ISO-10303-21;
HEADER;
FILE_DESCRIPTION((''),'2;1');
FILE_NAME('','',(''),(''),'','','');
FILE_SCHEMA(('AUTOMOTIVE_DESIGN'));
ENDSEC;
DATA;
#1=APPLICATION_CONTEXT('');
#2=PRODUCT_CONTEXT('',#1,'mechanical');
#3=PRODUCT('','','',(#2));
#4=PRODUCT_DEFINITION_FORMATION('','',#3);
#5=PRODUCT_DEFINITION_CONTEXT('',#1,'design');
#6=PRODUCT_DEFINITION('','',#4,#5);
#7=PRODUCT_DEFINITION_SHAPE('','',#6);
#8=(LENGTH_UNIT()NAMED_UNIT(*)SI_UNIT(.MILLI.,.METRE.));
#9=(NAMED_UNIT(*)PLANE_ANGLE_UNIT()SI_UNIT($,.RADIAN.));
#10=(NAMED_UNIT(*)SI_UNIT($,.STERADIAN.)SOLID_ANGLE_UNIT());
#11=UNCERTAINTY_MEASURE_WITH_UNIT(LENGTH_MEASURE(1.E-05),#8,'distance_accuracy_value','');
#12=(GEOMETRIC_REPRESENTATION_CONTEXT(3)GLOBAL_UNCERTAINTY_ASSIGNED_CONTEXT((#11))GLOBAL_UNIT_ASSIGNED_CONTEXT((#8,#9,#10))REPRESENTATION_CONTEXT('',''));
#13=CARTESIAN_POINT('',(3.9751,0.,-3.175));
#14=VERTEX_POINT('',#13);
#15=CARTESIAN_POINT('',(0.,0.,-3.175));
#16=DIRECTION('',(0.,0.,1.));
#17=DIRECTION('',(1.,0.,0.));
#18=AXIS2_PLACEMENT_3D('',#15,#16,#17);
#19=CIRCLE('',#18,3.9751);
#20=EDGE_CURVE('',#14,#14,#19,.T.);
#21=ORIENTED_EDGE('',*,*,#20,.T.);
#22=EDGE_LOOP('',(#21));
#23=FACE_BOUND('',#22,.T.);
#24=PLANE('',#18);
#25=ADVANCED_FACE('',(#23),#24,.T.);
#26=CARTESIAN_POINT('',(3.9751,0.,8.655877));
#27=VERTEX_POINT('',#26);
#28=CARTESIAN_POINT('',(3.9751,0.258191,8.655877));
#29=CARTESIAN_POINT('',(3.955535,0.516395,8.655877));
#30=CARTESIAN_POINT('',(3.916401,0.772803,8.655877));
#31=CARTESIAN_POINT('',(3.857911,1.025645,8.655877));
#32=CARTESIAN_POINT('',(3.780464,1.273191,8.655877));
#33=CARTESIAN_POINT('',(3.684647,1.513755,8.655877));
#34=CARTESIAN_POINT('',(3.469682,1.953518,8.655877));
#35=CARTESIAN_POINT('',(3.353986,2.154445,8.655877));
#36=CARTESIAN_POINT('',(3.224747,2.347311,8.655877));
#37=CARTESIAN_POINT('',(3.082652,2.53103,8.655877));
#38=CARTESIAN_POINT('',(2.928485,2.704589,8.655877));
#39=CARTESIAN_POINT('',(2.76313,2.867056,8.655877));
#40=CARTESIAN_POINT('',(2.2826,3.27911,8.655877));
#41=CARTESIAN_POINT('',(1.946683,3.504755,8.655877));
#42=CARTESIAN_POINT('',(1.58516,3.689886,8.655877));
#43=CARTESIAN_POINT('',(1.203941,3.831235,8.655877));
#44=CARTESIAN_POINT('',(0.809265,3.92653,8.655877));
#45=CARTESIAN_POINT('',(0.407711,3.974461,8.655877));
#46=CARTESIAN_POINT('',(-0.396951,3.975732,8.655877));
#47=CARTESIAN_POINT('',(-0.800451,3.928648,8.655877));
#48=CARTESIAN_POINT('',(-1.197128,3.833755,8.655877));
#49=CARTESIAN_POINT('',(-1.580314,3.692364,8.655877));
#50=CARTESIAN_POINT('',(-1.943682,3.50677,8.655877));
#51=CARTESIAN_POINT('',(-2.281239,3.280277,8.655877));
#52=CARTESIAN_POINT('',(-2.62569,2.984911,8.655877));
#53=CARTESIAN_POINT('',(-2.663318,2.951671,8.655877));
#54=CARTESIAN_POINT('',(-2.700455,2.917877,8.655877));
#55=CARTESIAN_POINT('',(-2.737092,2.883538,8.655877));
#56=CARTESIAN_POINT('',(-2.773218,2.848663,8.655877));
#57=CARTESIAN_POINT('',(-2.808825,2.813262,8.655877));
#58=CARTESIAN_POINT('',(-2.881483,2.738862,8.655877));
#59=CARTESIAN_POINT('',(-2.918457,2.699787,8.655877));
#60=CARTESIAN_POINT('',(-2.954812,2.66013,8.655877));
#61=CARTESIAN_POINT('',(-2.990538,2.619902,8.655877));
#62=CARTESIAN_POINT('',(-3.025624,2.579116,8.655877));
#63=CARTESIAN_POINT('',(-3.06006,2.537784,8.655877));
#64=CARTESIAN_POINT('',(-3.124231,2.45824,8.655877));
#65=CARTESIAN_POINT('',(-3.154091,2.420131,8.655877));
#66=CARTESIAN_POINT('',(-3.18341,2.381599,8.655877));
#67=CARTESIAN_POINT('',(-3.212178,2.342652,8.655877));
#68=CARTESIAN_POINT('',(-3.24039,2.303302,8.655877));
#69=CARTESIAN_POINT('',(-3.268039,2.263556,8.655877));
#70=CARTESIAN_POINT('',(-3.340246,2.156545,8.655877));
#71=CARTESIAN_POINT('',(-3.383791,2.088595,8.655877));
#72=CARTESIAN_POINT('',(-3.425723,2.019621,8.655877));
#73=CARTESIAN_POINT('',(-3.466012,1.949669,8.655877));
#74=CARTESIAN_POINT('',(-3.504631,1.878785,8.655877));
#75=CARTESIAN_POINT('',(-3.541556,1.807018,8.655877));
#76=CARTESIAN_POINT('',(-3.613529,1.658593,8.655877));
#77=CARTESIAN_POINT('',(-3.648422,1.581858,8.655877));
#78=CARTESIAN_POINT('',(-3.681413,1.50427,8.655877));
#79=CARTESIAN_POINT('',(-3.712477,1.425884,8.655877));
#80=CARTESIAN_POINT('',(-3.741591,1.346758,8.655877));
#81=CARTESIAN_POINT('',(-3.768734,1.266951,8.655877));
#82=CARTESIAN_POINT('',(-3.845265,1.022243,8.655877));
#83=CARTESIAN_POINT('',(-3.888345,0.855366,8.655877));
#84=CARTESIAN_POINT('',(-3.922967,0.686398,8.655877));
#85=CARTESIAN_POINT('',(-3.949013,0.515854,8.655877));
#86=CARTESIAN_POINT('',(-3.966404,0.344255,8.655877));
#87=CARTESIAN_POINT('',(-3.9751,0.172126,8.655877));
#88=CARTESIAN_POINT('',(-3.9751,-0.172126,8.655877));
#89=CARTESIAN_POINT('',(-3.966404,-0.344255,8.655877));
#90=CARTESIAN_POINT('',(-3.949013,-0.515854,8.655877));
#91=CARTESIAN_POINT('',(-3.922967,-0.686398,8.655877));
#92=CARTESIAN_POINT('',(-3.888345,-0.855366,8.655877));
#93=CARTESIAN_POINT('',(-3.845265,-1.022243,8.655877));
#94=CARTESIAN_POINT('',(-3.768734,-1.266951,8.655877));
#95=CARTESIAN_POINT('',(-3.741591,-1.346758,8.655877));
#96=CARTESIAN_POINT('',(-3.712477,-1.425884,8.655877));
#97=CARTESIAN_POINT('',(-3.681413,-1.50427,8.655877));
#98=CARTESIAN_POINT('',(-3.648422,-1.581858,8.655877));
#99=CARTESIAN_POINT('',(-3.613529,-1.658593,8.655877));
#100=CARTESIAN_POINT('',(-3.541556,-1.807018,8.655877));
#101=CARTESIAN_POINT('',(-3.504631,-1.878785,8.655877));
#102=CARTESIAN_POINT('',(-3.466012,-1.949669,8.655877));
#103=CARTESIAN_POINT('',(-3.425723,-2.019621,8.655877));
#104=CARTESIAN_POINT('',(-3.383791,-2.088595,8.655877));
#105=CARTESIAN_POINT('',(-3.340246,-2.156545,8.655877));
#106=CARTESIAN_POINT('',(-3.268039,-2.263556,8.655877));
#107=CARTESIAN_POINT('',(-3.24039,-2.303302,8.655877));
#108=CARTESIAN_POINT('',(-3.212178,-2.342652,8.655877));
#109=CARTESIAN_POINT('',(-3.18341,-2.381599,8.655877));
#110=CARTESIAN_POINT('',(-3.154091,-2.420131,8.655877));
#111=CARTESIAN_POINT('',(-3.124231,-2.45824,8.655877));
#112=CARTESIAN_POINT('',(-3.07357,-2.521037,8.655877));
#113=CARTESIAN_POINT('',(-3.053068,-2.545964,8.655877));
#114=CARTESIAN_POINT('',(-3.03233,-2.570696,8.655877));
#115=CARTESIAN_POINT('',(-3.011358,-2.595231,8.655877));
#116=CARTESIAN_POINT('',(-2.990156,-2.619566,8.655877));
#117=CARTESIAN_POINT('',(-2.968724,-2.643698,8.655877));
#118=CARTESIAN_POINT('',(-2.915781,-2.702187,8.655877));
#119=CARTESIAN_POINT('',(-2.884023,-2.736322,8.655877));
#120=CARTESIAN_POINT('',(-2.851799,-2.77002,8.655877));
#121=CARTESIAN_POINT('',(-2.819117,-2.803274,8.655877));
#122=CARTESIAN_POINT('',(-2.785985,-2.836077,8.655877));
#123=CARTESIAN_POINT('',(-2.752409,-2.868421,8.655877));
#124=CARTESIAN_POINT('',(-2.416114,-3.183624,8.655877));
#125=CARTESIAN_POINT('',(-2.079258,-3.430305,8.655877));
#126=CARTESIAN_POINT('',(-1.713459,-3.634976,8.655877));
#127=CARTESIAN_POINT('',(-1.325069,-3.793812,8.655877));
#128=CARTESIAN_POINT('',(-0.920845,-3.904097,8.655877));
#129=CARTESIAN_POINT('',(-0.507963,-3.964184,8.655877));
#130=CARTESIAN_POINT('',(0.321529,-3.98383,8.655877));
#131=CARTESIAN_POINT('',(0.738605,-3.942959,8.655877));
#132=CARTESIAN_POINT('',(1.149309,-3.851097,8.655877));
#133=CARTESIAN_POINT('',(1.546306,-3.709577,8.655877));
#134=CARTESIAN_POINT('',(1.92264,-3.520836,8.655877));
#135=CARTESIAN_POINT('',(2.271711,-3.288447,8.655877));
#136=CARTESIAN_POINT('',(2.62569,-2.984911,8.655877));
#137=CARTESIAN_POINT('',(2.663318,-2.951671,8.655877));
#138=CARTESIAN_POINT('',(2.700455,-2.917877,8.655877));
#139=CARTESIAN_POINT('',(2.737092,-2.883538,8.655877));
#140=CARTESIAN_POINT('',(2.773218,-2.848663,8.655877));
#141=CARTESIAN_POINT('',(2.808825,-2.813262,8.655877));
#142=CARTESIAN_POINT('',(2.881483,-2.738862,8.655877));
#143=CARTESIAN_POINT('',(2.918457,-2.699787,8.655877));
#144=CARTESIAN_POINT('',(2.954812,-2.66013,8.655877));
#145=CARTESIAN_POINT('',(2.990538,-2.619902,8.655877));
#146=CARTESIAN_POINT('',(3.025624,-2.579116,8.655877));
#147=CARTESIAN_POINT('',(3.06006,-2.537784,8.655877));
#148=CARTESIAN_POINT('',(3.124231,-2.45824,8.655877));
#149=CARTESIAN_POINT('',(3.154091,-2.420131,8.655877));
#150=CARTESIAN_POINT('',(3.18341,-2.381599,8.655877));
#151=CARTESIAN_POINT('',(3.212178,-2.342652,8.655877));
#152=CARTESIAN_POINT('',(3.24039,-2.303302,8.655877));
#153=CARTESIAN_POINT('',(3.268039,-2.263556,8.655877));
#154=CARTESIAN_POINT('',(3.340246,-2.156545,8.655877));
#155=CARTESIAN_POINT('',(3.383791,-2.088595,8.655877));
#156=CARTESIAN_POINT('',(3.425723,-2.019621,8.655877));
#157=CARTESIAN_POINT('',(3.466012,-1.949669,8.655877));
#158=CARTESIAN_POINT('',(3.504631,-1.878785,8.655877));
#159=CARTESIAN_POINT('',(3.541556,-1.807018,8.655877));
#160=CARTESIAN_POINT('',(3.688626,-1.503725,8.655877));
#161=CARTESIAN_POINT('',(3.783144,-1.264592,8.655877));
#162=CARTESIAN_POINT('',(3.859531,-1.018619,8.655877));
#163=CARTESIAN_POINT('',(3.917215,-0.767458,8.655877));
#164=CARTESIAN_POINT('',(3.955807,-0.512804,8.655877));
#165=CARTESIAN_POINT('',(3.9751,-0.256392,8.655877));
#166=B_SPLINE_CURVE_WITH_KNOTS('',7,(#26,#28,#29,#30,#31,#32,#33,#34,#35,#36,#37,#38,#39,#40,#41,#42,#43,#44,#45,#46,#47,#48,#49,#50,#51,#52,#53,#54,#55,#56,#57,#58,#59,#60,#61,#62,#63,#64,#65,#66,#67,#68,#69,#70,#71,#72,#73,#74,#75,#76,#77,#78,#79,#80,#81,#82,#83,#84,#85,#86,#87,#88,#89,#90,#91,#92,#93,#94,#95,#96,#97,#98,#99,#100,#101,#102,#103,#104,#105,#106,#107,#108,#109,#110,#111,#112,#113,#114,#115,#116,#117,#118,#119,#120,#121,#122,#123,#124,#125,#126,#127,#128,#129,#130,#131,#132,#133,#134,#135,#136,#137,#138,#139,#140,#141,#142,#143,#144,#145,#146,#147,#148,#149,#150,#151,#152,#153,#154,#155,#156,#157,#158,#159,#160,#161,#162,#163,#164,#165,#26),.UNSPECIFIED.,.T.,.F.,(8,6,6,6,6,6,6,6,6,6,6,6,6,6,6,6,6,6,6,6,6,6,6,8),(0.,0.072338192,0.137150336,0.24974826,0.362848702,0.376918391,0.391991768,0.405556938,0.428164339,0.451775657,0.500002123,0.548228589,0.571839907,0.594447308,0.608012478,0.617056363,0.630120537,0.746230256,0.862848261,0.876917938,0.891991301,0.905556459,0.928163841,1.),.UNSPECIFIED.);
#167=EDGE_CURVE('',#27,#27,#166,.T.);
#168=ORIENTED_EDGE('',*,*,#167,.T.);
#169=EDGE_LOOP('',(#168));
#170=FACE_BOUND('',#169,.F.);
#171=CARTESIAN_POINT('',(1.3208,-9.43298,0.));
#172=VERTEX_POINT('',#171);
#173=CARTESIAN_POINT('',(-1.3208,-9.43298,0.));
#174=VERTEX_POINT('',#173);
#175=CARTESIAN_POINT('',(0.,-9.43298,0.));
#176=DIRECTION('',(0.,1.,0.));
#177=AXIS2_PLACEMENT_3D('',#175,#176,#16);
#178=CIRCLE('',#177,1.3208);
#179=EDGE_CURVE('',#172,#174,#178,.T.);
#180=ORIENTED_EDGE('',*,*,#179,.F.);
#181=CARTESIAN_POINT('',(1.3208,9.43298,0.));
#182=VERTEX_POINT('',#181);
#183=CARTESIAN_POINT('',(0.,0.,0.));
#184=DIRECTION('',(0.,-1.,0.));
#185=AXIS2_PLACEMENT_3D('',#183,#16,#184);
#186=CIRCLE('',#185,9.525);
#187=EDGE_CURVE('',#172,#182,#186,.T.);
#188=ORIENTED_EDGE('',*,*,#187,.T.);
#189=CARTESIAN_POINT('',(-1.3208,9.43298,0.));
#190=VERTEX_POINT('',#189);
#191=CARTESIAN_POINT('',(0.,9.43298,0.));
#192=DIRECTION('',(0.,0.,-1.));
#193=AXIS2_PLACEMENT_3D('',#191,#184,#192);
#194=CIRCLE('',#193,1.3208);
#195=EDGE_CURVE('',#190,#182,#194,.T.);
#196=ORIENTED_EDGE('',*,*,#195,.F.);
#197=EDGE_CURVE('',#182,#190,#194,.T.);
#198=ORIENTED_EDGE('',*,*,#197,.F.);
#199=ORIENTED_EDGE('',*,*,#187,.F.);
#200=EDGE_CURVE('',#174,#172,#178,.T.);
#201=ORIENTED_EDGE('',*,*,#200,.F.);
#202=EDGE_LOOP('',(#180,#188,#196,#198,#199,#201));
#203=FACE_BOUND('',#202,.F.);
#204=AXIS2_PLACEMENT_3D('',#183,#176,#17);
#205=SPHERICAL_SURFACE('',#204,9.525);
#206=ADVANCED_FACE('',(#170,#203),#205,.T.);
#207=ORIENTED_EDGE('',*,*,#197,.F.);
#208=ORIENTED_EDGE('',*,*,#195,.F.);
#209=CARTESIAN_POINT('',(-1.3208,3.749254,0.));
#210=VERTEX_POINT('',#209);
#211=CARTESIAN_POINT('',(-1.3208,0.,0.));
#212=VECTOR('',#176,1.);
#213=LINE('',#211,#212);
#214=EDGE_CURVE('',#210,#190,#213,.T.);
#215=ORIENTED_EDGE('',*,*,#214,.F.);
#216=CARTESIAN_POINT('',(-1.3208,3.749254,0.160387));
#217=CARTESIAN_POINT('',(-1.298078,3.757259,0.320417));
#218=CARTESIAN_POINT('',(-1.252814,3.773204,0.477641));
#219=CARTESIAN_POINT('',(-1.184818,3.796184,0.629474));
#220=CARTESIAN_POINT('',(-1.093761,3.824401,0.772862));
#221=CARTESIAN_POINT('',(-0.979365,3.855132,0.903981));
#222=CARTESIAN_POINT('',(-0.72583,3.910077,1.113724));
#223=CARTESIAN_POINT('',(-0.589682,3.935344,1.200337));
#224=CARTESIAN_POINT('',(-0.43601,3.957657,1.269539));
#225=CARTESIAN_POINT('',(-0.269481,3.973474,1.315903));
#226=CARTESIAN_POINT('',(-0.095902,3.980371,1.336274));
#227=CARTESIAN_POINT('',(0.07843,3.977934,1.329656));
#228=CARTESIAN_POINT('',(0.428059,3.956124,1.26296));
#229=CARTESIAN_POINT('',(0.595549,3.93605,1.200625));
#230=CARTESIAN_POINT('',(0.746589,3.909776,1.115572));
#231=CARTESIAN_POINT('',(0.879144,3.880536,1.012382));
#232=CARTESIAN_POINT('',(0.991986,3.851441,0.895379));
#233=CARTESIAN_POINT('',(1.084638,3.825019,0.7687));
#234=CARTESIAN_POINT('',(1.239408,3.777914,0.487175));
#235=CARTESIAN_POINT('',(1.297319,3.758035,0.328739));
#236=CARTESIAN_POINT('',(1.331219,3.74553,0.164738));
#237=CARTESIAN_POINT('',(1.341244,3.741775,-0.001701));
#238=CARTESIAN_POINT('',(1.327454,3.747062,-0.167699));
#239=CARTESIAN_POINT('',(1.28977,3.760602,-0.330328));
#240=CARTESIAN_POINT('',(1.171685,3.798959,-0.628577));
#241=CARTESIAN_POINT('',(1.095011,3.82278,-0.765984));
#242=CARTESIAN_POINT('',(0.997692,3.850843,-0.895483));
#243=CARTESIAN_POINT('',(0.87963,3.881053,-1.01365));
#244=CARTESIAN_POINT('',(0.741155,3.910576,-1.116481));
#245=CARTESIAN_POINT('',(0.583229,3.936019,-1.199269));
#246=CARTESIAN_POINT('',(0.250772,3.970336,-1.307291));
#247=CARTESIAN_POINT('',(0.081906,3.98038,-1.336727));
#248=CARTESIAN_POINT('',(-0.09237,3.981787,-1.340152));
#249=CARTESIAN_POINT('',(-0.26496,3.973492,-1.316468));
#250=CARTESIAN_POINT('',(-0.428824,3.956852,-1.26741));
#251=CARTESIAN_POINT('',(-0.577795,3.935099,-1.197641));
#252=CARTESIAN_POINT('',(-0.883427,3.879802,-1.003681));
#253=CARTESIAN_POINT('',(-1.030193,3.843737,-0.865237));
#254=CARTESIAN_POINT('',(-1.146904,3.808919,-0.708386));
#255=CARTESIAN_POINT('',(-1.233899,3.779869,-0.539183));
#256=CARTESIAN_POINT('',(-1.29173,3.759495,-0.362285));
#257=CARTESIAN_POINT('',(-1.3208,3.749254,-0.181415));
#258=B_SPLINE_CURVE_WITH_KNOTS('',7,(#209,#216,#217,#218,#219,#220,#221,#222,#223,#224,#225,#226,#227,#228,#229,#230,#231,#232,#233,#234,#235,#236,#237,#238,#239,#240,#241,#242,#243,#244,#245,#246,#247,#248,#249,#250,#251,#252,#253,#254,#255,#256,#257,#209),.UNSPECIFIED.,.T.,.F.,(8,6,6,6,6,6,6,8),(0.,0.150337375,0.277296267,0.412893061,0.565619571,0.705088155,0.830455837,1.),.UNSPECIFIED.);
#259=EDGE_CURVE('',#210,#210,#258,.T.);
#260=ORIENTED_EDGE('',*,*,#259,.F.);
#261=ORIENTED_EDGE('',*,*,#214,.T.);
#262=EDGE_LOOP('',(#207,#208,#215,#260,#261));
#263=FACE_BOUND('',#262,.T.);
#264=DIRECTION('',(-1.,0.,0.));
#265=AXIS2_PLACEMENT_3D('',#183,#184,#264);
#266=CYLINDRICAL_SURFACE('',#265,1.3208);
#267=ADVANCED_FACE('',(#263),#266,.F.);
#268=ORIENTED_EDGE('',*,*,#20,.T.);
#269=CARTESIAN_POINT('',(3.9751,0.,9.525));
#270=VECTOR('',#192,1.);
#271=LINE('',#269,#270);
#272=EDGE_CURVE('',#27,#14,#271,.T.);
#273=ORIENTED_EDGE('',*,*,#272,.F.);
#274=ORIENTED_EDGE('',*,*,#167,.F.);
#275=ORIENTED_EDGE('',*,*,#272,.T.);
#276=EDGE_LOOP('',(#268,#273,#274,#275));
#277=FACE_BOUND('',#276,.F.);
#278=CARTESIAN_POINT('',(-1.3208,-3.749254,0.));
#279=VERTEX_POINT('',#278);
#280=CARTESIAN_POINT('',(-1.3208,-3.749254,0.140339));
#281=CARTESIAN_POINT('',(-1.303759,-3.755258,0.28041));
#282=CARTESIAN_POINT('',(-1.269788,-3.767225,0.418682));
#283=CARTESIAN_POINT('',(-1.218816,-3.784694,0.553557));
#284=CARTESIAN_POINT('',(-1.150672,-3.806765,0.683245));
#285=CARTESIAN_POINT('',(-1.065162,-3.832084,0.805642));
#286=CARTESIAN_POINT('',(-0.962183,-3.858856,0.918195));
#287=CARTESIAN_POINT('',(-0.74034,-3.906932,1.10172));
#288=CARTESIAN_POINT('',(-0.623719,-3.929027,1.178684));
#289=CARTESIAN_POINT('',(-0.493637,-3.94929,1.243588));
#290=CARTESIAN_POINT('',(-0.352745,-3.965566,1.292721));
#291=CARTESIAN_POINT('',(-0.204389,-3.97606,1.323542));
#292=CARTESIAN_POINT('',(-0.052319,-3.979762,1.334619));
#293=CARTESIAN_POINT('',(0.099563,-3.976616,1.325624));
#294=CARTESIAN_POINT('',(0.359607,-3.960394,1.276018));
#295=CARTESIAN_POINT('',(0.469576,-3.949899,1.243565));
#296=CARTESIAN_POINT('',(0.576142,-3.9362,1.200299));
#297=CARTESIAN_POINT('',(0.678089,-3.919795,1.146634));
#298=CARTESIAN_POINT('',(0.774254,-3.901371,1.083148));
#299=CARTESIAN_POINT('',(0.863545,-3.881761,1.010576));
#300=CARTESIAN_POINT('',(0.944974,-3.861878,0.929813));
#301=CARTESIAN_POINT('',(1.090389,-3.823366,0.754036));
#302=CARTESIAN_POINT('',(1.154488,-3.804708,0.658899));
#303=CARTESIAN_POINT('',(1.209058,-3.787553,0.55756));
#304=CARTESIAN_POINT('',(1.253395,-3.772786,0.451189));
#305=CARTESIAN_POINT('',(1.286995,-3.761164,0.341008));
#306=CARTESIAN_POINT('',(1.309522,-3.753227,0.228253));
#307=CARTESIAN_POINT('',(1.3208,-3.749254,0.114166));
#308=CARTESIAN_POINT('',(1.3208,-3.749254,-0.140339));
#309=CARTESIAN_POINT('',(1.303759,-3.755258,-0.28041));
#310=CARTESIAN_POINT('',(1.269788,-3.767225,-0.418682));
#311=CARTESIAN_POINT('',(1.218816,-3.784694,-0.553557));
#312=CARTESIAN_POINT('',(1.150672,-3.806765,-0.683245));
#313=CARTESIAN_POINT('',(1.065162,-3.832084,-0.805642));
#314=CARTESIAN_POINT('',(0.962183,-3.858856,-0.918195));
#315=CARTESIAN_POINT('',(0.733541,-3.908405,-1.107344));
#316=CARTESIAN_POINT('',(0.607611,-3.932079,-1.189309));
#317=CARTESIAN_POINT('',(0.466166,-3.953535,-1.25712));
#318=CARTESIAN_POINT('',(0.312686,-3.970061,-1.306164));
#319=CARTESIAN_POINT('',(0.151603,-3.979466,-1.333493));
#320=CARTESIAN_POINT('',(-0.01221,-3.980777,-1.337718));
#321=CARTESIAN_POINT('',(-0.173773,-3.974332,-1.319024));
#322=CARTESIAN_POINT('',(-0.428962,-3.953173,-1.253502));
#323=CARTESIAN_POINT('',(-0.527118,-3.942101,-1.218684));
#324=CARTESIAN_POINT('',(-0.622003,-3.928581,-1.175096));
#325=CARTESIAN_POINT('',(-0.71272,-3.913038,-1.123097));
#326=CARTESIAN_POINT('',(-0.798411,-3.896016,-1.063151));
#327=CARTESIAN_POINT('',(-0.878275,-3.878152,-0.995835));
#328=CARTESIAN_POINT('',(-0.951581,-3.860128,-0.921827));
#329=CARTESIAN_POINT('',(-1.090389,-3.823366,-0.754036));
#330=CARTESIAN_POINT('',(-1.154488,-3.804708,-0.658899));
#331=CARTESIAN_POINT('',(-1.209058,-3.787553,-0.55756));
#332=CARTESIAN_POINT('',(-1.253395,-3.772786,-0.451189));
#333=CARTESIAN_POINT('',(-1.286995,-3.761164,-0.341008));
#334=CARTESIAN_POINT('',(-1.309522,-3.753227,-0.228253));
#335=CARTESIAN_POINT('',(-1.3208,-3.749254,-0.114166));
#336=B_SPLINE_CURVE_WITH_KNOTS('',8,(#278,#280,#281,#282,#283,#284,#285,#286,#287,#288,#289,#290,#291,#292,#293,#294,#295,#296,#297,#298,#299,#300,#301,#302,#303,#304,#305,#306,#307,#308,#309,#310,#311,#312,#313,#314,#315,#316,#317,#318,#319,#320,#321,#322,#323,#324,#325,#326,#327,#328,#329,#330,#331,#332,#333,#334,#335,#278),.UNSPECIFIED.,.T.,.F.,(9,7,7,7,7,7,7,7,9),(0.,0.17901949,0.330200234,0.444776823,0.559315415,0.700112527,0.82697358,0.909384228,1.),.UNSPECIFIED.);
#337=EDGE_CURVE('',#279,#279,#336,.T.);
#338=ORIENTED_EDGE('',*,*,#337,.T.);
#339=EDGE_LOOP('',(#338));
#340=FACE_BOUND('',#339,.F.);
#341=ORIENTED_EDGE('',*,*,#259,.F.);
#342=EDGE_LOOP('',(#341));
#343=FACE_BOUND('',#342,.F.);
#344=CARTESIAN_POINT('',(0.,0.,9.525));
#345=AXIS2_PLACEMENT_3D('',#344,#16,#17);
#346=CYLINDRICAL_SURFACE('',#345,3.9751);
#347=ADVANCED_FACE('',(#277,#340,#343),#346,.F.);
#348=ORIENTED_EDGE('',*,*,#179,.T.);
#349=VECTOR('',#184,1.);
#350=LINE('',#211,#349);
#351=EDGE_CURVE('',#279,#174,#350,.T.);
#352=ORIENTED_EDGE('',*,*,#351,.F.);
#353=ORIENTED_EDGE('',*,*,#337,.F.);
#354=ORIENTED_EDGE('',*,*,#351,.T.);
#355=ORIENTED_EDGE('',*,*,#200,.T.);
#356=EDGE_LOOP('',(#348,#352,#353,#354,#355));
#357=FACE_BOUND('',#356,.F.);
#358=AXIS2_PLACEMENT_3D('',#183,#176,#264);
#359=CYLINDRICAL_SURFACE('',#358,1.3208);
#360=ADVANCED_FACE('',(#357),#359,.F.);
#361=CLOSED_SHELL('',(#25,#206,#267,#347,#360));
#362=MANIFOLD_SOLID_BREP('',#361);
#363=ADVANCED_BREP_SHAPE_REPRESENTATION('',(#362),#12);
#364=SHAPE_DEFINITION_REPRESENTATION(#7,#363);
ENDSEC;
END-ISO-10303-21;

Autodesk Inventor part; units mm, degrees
ref_plane "YZ Plane" through (0, 0, 0) normal (1, 0, 0) x (0, 1, 0)
ref_plane "XZ Plane" through (0, 0, 0) normal (0, 1, 0) x (-1, 0, 0)
sketch "Sketch1" plane through (0, 0, 0) normal (0, 0, 1) x (1, 0, 0)
  line L0 (0, 9.525) -> (0, -9.525)
  arc A0 (0, -9.525) -> (0, 9.525) centre (0, 0) ccw
  dimension "d0" = 9.525
revolve "Revolution1" add sketch "Sketch1" angle 360 about axis through (0, 9.525, 0) along (0, -1, 0)
ref_plane "Work Plane1" through (0, 0, 9.525) normal (0, 0, 1) x (1, 0, 0)
sketch "Sketch2" plane through (0, 0, 9.525) normal (0, 0, 1) x (1, 0, 0)
  circle A0 centre (0, 0) radius 3.9751
  dimension "d2" = 7.9502
extrude "Extrusion1" cut sketch "Sketch2" against normal blind 12.7
sketch "Sketch3" plane through (0, 0, 0) normal (0, 1, 0) x (-1, 0, 0)
  circle A0 centre (0, 0) radius 1.3208
  dimension "d5" = 2.6416
extrude "Extrusion2" cut sketch "Sketch3" along normal through all both and the other way through all
properties part number "Handle_Ball" material "Steel, Mild"
